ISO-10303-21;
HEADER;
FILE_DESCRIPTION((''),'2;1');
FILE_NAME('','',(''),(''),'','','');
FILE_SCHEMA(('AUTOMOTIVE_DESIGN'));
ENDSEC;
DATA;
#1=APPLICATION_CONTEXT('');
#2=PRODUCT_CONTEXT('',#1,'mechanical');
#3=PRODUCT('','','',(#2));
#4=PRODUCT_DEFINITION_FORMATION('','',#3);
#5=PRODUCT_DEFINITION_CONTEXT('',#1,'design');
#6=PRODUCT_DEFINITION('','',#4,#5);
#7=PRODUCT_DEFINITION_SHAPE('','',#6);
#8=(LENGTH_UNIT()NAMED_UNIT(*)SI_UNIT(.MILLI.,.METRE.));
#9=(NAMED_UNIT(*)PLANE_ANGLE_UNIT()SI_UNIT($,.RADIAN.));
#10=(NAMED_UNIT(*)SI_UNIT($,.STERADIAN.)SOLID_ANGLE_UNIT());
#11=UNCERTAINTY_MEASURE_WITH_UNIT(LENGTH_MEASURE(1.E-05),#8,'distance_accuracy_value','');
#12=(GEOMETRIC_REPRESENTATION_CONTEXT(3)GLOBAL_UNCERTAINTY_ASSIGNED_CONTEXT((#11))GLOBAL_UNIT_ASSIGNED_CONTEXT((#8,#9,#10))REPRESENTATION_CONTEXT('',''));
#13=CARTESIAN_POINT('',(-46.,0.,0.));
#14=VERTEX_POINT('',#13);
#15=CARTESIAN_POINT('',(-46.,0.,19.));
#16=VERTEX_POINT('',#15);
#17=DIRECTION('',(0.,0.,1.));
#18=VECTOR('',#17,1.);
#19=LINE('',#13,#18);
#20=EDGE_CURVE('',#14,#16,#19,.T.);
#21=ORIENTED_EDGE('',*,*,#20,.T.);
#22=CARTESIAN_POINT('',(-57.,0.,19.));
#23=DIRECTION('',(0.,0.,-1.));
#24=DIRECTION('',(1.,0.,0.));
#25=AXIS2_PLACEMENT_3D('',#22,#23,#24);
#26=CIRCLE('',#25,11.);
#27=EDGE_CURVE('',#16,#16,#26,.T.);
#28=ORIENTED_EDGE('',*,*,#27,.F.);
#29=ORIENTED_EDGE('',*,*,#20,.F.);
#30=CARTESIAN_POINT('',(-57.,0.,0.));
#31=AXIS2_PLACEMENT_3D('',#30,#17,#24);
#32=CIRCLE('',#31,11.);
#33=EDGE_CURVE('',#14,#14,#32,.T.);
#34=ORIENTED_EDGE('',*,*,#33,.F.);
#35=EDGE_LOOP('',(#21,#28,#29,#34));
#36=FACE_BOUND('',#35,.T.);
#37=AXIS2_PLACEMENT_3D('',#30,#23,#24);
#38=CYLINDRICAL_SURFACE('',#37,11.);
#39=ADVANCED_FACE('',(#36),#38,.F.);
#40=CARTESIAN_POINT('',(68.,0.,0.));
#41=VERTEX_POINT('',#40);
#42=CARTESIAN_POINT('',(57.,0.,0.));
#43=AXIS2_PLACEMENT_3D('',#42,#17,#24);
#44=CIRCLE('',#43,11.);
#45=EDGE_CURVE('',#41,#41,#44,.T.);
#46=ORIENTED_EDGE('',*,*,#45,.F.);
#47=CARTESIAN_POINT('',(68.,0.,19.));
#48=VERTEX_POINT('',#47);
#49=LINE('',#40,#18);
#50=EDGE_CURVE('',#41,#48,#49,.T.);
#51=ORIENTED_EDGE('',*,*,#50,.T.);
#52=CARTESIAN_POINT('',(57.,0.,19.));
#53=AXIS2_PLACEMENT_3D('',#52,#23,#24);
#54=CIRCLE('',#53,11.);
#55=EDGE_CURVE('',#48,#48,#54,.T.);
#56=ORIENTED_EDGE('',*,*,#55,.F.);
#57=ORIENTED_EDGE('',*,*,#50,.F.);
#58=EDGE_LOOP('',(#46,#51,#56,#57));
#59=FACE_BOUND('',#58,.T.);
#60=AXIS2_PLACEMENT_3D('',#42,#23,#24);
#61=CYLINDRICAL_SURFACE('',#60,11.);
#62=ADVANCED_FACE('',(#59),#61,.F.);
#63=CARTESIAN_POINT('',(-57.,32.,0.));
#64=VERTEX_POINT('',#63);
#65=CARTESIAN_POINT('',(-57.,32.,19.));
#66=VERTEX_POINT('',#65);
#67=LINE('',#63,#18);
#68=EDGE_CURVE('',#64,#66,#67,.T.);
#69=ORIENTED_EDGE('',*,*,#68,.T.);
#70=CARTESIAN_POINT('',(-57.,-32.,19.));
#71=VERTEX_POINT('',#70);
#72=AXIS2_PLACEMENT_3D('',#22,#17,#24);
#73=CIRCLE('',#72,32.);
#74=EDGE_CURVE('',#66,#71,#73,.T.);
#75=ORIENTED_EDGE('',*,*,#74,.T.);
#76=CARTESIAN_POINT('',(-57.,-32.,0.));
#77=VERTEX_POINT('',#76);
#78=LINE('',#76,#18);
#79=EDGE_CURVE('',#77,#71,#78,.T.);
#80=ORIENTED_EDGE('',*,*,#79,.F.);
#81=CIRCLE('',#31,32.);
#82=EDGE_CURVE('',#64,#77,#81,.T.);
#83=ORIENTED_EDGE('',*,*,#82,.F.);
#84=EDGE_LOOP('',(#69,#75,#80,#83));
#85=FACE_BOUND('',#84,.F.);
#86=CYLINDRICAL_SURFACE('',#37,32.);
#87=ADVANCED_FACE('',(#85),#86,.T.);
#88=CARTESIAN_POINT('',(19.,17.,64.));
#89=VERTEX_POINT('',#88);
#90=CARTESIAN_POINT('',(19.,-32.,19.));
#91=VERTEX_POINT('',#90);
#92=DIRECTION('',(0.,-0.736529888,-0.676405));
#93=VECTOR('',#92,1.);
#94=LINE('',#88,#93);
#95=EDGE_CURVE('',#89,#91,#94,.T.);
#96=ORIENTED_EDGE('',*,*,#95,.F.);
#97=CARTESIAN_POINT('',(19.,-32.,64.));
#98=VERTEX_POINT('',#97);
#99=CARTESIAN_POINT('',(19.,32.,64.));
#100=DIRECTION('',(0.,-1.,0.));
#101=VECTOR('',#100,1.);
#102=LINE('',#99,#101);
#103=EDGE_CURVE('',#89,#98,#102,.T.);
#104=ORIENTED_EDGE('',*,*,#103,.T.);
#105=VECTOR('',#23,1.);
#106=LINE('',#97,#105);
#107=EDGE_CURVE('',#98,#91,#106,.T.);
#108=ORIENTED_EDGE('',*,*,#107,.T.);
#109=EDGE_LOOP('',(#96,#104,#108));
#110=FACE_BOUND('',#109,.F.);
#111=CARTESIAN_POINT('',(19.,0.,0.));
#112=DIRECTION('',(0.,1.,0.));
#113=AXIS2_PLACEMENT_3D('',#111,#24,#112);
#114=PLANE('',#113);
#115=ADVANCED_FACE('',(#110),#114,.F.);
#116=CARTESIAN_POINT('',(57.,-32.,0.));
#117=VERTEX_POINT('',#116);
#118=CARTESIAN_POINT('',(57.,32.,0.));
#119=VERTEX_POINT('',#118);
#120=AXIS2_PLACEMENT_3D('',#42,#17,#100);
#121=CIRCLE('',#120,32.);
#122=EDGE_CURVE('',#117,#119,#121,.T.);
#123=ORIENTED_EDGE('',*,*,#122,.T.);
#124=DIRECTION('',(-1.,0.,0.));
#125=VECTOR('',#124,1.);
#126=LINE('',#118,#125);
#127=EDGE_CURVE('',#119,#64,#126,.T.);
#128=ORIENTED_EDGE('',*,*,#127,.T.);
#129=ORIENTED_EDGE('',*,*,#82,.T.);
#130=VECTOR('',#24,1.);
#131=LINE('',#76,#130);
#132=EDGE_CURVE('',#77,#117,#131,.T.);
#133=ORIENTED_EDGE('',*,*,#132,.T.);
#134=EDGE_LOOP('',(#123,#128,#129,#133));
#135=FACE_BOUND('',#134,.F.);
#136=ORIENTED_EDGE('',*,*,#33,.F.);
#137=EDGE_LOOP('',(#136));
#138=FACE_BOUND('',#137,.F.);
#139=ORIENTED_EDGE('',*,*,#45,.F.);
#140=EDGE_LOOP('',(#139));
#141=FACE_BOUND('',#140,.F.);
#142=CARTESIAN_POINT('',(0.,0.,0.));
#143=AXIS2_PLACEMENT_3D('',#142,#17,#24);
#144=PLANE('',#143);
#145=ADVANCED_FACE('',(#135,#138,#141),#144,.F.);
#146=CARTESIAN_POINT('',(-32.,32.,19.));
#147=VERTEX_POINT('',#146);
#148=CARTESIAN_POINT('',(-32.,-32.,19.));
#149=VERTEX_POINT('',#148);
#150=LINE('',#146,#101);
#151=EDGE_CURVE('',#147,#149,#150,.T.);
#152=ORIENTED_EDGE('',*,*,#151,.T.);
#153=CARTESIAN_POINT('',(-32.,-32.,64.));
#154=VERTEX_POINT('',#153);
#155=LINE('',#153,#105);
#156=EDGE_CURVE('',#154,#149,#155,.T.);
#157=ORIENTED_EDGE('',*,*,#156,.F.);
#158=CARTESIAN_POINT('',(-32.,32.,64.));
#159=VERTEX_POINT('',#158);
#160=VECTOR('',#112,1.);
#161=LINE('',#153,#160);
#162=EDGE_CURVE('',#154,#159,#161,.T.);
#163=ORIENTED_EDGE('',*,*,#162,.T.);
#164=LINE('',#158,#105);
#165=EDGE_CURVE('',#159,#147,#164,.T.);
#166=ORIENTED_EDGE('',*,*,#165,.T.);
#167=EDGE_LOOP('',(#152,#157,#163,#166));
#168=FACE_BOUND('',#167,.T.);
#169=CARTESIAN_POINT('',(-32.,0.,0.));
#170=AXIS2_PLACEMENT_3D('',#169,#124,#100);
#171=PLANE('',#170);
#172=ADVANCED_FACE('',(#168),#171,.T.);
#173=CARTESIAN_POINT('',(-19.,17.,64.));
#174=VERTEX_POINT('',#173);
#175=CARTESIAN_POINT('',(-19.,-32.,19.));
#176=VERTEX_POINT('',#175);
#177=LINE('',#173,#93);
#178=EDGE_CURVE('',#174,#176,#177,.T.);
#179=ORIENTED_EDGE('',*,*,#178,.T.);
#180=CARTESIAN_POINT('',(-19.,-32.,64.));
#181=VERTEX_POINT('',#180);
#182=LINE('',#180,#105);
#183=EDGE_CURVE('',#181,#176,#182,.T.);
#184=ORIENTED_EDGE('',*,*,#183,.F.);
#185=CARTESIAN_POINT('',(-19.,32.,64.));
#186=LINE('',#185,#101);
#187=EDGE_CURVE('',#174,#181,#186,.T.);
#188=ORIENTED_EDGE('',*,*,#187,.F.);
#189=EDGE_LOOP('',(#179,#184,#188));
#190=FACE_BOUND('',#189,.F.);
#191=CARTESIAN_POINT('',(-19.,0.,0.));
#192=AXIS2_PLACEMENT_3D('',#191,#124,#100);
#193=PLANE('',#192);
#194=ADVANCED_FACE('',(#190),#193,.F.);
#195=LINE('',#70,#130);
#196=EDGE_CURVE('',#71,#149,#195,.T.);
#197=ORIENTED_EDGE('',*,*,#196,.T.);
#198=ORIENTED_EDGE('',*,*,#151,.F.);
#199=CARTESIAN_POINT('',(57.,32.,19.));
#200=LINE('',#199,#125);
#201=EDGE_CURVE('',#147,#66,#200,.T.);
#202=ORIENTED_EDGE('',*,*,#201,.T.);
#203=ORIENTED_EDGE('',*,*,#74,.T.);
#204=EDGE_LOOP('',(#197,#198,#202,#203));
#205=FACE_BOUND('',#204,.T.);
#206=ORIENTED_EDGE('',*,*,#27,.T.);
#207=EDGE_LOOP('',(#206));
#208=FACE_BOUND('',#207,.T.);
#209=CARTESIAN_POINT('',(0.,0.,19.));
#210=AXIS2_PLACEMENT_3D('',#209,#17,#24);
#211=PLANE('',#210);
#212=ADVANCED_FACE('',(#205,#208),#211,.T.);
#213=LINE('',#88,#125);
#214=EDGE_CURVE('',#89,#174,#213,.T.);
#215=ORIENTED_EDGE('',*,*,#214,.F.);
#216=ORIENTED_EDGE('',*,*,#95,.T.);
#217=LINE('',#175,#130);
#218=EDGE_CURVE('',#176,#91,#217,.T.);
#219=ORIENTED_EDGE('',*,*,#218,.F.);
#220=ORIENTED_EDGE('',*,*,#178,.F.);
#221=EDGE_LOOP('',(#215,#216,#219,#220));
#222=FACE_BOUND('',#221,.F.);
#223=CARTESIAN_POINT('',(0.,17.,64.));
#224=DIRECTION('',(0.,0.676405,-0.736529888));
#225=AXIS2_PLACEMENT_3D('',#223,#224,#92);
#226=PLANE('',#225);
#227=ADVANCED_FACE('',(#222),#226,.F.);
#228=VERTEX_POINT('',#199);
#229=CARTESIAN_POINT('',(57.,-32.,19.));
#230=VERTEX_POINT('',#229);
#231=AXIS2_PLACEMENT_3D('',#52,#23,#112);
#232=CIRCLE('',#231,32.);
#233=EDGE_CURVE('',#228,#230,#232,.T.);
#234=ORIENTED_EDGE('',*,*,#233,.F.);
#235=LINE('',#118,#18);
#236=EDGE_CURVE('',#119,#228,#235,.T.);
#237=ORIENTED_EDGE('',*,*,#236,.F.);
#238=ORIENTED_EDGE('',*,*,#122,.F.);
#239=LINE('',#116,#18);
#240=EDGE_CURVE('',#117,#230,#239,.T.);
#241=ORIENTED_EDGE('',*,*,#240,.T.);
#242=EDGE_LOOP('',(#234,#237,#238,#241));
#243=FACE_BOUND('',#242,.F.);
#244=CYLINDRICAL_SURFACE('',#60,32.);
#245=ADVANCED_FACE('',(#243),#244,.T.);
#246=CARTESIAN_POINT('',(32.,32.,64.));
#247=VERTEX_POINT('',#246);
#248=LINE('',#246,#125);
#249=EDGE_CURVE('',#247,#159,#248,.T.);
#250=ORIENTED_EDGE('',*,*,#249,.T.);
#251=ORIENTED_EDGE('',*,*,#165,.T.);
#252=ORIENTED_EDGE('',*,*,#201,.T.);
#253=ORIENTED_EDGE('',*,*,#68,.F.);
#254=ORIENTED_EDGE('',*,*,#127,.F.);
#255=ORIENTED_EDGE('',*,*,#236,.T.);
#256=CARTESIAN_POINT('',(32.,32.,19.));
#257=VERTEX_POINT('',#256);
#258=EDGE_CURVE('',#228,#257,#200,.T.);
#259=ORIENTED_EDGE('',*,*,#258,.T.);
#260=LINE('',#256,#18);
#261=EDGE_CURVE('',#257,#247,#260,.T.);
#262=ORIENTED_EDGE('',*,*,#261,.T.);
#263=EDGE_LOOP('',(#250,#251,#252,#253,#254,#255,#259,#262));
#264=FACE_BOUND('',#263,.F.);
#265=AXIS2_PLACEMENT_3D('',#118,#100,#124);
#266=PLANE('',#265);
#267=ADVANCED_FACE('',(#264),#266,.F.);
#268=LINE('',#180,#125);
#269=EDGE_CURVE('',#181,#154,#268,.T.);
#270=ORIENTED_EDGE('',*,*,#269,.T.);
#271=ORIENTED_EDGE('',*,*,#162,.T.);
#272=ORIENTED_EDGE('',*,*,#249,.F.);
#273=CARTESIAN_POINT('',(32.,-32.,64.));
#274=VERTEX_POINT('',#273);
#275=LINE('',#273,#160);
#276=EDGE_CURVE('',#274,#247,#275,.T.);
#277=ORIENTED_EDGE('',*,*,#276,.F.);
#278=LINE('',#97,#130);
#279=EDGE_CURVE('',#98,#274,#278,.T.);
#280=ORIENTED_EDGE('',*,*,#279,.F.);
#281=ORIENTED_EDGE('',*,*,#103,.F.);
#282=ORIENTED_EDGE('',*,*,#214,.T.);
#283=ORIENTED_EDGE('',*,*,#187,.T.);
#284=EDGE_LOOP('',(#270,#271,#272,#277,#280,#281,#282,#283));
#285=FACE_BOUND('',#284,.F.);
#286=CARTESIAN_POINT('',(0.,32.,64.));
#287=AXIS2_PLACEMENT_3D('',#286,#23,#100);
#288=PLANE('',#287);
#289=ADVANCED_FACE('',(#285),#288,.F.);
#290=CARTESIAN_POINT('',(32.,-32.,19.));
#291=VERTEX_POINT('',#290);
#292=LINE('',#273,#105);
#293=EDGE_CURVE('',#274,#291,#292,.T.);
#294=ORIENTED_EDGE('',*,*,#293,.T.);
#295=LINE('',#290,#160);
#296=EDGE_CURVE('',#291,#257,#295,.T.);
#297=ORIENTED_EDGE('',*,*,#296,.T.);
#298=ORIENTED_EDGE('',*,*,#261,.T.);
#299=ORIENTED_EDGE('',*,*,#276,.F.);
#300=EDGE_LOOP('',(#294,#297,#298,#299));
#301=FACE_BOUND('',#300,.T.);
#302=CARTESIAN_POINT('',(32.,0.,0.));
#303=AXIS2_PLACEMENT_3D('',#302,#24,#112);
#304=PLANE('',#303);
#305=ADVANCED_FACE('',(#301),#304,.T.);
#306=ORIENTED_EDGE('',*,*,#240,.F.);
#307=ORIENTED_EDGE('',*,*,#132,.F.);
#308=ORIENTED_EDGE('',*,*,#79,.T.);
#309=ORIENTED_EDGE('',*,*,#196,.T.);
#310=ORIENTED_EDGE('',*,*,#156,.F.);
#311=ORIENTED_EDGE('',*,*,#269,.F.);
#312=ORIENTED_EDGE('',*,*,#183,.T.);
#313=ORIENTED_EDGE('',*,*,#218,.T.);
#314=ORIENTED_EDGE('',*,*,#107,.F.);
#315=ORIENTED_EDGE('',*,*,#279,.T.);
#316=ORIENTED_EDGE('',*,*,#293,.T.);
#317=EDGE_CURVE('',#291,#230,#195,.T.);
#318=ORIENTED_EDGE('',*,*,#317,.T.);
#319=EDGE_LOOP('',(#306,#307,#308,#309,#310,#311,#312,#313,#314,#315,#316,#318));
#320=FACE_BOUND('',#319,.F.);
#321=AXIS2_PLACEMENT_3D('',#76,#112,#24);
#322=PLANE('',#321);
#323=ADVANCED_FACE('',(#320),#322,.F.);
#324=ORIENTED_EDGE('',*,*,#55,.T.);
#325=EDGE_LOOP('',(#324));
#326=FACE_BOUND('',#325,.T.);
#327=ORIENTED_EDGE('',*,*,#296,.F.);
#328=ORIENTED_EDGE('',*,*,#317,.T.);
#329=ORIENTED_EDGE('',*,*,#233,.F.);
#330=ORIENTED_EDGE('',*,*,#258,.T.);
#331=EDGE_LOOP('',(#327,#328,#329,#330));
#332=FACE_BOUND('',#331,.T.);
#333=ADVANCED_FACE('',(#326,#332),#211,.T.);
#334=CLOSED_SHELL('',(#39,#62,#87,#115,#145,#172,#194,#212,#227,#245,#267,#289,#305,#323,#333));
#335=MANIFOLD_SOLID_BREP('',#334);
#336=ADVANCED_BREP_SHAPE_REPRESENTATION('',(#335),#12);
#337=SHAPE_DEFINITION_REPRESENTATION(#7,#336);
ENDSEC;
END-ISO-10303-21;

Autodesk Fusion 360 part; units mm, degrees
sketch "Sketch1" plane through (0, 0, 0) normal (0, 0, 1) x (1, 0, 0)
  line L0 (57, 32) -> (-57, 32)
  line L1 (-57, 32) -> (-57, -32)
  line L2 (-57, -32) -> (57, -32)
  line L3 (57, -32) -> (57, 32)
  line L4 (57, 32) -> (-57, -32) construction
  line L5 (-57, 32) -> (57, -32) construction
  line L6 (-32, 32) -> (-32, -32) construction
  line L7 (32, 32) -> (32, -32) construction
  circle A0 centre (57, 0) radius 11
  circle A1 centre (-57, 0) radius 11
  circle A2 centre (-57, 0) radius 32
  circle A3 centre (57, 0) radius 32
  dimension "d1" = 114
  dimension "d2" = 64
  dimension "d3" = 64
  dimension "d4" = 25
  dimension "d5" = 22
  dimension "d6" = 22
  dimension "d7" = 32
  dimension "d8" = 32
extrude "Extrude1" add sketch "Sketch1" along normal blind 19 contours L0 L2 A2 A3 | L3 A0 A3 | L3 A0 A3 | L1 A1 A2 | L1 A1 A2
sketch "Sketch2" plane through (0, 0, 0) normal (1, 0, 0) x (0, 1, 0)
  line L0 (-32, 19) -> (32, 19)
  line L1 (32, 19) -> (32, 64)
  line L2 (32, 64) -> (17, 64)
  line L3 (17, 64) -> (-32, 19)
  dimension "d11" = 45
  dimension "d13" = 15
extrude "Extrude2" add sketch "Sketch2" along normal mid plane 38
sketch "Sketch3" plane through (19, 0, 0) normal (1, 0, 0) x (0, 1, 0)
  line L0 (17, 64) -> (-32, 19)
  line L1 (-32, 19) -> (32, 19)
  line L2 (32, 19) -> (32, 64)
  line L3 (32, 64) -> (17, 64)
  line L4 (-32, 19) -> (32, 19)
  line L5 (32, 19) -> (32, 64)
  line L6 (32, 64) -> (-32, 64)
  line L7 (-32, 64) -> (-32, 19)
extrude "Extrude3" add sketch "Sketch3" along normal blind 13
sketch "Sketch4" plane through (-19, 0, 0) normal (-1, 0, 0) x (0, -1, 0)
  line L0 (32, 19) -> (-17, 64)
  line L1 (-17, 64) -> (-32, 64)
  line L2 (-32, 64) -> (-32, 19)
  line L3 (-32, 19) -> (32, 19)
  line L4 (-32, 64) -> (32, 64)
  line L5 (32, 64) -> (32, 19)
  line L6 (32, 19) -> (-32, 19)
  line L7 (-32, 64) -> (-32, 19)
extrude "Extrude4" add sketch "Sketch4" along normal blind 13
